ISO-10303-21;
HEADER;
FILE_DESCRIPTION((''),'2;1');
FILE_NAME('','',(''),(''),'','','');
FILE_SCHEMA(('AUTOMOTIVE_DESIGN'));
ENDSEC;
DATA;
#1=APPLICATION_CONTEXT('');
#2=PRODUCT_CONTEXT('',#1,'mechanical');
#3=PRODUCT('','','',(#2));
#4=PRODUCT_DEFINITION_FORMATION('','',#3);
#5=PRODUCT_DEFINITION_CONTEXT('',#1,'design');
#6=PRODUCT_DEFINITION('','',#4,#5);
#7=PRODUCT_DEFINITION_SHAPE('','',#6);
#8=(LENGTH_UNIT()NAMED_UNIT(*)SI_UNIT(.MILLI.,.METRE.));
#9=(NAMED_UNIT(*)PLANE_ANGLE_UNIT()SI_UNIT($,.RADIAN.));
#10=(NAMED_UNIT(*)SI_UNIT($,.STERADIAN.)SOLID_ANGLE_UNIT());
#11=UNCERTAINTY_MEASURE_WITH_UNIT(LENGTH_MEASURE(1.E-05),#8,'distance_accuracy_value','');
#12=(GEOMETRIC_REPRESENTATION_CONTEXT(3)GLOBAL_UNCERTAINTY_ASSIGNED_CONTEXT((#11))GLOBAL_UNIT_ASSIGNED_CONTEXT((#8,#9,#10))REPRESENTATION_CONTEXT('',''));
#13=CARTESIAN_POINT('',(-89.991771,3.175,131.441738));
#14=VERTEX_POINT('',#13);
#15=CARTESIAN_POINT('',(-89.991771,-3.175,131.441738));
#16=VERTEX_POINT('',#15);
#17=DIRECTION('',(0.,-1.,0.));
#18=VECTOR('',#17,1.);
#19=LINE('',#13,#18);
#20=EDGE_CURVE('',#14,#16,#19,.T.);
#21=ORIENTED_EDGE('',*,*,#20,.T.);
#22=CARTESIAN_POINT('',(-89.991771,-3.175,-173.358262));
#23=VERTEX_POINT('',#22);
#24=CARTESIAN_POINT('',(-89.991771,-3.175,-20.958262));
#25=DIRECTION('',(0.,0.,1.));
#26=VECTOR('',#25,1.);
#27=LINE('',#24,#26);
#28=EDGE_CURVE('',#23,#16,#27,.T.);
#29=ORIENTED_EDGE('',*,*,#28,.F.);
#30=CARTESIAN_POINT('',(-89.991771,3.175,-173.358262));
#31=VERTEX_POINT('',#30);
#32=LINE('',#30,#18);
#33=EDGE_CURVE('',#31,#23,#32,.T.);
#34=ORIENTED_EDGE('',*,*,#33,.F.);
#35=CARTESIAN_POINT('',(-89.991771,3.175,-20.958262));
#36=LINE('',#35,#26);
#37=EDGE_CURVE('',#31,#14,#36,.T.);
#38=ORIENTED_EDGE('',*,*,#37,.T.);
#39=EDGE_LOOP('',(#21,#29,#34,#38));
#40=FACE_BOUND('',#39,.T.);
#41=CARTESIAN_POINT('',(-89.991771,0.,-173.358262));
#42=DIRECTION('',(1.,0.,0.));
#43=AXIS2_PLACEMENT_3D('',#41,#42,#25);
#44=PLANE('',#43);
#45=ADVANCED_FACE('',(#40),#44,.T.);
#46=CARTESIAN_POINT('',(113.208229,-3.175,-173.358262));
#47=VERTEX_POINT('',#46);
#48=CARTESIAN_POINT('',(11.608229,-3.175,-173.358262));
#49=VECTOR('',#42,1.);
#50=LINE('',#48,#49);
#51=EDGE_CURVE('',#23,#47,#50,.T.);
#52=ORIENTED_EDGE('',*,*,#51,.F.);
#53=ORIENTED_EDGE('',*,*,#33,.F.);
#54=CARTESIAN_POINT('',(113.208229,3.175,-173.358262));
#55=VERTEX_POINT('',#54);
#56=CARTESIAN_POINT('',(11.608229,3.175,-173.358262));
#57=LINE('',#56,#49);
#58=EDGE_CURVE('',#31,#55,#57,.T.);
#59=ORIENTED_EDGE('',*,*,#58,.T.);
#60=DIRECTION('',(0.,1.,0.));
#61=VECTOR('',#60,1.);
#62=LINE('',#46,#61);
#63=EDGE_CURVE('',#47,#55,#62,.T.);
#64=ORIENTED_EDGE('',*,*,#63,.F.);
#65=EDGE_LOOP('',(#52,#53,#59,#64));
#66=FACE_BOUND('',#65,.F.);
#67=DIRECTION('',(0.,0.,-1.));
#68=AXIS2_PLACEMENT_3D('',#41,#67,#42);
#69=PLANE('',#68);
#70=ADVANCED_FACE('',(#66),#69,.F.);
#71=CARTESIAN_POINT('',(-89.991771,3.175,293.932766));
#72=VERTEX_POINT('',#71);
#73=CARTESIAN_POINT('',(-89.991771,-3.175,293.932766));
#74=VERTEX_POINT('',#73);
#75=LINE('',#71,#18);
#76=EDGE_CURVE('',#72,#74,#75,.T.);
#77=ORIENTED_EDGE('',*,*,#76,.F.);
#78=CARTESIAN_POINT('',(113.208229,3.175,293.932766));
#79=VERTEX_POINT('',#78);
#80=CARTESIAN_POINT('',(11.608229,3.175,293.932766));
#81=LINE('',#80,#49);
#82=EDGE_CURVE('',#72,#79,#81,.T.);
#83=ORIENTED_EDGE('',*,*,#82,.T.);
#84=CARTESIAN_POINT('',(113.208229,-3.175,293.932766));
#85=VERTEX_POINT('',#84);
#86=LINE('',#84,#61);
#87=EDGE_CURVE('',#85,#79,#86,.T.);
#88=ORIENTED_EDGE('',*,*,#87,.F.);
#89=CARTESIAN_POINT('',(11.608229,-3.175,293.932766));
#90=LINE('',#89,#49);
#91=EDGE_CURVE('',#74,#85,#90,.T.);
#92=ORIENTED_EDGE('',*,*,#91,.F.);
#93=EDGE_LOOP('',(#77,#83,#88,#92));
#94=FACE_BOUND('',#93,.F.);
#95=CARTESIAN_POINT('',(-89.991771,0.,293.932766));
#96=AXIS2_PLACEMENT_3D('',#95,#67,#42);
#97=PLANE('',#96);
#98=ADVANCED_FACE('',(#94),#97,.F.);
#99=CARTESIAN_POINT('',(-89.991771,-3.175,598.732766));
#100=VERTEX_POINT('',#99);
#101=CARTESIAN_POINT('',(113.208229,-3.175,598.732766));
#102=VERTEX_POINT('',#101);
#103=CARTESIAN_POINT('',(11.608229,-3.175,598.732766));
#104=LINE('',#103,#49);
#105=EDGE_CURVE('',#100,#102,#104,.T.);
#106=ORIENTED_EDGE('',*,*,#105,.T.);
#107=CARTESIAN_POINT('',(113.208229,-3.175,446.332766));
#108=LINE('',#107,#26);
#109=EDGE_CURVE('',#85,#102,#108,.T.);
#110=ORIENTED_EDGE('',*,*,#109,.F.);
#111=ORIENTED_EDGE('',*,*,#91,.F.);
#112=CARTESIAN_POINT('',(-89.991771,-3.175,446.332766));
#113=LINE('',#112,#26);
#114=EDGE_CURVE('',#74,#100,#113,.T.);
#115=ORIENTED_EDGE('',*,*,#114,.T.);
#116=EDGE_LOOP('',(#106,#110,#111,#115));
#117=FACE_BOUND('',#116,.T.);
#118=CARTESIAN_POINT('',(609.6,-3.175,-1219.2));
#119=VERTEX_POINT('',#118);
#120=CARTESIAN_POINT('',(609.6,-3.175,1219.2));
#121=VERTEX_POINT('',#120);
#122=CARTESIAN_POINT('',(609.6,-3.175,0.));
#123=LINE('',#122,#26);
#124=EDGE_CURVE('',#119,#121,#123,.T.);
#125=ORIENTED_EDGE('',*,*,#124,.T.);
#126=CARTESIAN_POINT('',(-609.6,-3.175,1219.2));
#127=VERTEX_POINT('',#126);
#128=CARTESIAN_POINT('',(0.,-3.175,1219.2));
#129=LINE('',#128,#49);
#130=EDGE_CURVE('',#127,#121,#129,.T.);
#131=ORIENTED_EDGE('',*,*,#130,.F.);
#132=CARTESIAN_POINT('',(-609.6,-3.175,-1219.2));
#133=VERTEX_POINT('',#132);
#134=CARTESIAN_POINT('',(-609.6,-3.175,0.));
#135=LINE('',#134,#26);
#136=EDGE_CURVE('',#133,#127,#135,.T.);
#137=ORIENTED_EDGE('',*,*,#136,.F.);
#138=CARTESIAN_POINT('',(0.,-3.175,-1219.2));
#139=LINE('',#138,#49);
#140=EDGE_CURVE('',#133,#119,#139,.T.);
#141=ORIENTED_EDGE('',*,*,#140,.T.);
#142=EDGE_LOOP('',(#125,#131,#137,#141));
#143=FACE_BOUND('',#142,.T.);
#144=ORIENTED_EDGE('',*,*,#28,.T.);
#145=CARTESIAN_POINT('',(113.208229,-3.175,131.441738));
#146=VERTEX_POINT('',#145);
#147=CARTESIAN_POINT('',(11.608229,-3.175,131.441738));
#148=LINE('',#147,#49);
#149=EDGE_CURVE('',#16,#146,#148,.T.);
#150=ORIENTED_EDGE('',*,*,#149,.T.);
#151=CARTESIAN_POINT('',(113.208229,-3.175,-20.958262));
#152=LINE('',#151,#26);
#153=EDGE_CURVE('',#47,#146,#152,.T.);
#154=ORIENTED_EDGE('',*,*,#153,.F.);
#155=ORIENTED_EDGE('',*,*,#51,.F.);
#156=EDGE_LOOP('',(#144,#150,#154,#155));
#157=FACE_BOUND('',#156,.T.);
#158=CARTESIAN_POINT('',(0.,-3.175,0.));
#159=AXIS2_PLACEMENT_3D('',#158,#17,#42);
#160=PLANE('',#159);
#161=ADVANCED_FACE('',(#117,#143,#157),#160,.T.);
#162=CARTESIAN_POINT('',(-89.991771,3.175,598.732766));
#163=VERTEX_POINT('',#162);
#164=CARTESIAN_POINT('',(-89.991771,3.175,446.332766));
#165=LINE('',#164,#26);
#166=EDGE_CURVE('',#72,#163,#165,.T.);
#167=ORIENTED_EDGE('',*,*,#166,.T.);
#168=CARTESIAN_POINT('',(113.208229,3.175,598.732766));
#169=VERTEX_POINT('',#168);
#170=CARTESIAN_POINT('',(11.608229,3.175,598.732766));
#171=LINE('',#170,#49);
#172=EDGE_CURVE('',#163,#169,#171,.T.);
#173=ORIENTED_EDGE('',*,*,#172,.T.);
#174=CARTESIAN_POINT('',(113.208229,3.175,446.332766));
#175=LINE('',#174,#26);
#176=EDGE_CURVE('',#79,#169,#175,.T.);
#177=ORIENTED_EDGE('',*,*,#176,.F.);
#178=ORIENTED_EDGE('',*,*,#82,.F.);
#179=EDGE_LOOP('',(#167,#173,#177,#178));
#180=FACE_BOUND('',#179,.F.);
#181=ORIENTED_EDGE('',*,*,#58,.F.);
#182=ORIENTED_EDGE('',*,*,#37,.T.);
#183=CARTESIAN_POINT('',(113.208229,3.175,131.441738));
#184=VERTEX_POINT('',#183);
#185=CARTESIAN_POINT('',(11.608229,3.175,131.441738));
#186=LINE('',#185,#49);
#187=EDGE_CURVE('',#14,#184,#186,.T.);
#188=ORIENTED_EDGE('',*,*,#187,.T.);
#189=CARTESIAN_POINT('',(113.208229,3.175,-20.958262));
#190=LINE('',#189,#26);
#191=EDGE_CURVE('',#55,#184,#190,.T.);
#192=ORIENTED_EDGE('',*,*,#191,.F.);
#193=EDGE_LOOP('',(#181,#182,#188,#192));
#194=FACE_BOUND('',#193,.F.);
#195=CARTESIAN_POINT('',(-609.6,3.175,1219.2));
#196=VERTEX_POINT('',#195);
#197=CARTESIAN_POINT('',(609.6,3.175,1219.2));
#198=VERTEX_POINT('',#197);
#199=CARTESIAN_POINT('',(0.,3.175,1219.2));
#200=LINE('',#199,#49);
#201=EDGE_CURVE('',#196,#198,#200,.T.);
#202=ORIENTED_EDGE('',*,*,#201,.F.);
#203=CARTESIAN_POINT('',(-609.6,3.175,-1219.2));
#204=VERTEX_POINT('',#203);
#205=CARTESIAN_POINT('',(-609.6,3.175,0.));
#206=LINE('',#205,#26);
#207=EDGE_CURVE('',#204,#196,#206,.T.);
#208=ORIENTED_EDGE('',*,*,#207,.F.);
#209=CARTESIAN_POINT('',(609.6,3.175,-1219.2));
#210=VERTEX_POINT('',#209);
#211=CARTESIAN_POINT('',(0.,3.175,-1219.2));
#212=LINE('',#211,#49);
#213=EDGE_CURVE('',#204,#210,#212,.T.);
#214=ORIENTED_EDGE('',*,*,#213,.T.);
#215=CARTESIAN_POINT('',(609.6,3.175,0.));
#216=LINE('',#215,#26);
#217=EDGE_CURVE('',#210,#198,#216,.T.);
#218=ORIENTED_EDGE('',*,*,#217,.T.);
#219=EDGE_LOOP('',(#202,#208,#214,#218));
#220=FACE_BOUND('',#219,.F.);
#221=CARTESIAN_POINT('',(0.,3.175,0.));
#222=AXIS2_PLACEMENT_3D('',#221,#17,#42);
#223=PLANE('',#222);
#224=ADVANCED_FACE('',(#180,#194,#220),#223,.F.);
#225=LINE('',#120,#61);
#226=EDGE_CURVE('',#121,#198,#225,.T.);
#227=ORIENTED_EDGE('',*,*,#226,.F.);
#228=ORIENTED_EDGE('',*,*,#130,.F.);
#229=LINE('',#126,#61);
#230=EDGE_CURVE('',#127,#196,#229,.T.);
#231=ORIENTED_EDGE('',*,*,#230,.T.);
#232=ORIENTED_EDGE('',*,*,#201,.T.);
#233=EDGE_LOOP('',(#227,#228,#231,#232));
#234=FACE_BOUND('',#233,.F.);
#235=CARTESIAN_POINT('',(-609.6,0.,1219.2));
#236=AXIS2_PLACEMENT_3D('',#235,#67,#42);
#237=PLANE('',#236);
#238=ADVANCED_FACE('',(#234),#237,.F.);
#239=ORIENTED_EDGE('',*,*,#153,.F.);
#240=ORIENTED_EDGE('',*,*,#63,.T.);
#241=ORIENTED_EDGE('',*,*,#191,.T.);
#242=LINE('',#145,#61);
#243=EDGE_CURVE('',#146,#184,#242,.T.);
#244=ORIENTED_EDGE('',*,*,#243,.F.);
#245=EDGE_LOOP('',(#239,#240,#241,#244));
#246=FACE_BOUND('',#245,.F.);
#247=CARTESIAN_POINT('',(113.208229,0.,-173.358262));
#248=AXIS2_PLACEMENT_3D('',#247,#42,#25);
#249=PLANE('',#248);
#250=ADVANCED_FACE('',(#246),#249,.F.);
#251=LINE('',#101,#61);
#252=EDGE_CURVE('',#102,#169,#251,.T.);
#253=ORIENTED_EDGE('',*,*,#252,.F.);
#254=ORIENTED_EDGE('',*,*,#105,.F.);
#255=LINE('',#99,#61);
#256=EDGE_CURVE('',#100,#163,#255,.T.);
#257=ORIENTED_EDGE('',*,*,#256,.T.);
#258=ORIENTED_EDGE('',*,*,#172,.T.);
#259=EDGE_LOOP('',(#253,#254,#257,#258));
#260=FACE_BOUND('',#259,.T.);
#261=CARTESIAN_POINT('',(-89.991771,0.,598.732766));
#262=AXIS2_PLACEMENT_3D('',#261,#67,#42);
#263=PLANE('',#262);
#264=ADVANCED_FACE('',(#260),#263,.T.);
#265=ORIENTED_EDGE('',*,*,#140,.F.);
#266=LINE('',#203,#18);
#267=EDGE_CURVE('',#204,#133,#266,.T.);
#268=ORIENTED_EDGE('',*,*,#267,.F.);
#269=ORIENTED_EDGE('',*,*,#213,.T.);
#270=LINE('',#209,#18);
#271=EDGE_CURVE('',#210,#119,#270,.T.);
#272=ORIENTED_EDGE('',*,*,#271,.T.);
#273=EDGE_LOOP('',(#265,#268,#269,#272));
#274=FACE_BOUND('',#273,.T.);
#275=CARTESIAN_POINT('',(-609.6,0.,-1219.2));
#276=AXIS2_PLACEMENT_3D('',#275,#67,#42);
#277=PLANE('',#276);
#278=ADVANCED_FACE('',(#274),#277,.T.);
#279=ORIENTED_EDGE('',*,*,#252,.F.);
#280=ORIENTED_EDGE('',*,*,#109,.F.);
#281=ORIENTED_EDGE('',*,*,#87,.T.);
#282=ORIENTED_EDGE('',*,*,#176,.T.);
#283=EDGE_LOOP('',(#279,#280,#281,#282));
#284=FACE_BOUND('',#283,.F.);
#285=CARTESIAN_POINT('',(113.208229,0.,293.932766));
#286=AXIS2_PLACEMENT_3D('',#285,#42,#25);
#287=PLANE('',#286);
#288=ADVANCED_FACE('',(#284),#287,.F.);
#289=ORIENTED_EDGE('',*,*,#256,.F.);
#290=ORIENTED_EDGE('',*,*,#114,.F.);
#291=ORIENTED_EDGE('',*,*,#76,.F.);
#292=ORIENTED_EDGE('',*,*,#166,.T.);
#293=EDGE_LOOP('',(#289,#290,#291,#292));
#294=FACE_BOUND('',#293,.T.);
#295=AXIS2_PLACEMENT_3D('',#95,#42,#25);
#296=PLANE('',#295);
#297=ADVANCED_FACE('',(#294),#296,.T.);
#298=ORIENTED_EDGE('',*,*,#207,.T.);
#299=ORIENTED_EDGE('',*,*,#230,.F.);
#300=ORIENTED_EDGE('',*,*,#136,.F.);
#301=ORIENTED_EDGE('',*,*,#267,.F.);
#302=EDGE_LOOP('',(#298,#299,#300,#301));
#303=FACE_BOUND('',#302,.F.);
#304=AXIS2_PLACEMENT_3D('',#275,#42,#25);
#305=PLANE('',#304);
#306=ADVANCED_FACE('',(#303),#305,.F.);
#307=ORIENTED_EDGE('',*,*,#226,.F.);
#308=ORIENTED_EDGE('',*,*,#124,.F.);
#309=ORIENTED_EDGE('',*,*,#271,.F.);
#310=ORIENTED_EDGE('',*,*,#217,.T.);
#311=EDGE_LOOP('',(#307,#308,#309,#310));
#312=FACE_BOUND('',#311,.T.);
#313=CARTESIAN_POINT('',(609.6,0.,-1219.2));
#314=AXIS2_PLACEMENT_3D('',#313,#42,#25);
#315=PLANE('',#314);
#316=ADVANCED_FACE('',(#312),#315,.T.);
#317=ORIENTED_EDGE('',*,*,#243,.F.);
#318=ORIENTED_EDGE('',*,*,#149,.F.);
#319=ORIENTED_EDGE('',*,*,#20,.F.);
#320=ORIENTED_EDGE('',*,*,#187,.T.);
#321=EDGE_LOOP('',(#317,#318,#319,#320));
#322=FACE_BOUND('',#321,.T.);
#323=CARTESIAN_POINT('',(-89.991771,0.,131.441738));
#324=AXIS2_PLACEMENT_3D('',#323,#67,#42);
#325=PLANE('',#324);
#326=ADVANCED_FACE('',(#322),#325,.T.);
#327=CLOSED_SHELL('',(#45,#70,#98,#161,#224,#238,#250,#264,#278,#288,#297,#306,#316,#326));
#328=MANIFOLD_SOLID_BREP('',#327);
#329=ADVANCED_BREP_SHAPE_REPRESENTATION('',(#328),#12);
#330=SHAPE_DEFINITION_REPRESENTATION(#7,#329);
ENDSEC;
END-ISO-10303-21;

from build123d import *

# Parameters (mm, degrees)
F0_W     = 1219.2
F0_H     = 2438.4
F0_W_2   = 203.2
F0_H_2   = 304.8
F1_DEPTH = 3.175


with BuildPart() as f1:
    # F0 (on Front) → F1 (new body, symmetric)
    with BuildSketch(Plane.XZ):
        Rectangle(F0_W, F0_H)
        with Locations((11.608229, -20.958262)):
            Rectangle(F0_W_2, F0_H_2, mode=Mode.SUBTRACT)
        with Locations((11.608229, 446.332766)):
            Rectangle(F0_W_2, F0_H_2, mode=Mode.SUBTRACT)
    extrude(amount=F1_DEPTH, both=True)


solid = f1.part
